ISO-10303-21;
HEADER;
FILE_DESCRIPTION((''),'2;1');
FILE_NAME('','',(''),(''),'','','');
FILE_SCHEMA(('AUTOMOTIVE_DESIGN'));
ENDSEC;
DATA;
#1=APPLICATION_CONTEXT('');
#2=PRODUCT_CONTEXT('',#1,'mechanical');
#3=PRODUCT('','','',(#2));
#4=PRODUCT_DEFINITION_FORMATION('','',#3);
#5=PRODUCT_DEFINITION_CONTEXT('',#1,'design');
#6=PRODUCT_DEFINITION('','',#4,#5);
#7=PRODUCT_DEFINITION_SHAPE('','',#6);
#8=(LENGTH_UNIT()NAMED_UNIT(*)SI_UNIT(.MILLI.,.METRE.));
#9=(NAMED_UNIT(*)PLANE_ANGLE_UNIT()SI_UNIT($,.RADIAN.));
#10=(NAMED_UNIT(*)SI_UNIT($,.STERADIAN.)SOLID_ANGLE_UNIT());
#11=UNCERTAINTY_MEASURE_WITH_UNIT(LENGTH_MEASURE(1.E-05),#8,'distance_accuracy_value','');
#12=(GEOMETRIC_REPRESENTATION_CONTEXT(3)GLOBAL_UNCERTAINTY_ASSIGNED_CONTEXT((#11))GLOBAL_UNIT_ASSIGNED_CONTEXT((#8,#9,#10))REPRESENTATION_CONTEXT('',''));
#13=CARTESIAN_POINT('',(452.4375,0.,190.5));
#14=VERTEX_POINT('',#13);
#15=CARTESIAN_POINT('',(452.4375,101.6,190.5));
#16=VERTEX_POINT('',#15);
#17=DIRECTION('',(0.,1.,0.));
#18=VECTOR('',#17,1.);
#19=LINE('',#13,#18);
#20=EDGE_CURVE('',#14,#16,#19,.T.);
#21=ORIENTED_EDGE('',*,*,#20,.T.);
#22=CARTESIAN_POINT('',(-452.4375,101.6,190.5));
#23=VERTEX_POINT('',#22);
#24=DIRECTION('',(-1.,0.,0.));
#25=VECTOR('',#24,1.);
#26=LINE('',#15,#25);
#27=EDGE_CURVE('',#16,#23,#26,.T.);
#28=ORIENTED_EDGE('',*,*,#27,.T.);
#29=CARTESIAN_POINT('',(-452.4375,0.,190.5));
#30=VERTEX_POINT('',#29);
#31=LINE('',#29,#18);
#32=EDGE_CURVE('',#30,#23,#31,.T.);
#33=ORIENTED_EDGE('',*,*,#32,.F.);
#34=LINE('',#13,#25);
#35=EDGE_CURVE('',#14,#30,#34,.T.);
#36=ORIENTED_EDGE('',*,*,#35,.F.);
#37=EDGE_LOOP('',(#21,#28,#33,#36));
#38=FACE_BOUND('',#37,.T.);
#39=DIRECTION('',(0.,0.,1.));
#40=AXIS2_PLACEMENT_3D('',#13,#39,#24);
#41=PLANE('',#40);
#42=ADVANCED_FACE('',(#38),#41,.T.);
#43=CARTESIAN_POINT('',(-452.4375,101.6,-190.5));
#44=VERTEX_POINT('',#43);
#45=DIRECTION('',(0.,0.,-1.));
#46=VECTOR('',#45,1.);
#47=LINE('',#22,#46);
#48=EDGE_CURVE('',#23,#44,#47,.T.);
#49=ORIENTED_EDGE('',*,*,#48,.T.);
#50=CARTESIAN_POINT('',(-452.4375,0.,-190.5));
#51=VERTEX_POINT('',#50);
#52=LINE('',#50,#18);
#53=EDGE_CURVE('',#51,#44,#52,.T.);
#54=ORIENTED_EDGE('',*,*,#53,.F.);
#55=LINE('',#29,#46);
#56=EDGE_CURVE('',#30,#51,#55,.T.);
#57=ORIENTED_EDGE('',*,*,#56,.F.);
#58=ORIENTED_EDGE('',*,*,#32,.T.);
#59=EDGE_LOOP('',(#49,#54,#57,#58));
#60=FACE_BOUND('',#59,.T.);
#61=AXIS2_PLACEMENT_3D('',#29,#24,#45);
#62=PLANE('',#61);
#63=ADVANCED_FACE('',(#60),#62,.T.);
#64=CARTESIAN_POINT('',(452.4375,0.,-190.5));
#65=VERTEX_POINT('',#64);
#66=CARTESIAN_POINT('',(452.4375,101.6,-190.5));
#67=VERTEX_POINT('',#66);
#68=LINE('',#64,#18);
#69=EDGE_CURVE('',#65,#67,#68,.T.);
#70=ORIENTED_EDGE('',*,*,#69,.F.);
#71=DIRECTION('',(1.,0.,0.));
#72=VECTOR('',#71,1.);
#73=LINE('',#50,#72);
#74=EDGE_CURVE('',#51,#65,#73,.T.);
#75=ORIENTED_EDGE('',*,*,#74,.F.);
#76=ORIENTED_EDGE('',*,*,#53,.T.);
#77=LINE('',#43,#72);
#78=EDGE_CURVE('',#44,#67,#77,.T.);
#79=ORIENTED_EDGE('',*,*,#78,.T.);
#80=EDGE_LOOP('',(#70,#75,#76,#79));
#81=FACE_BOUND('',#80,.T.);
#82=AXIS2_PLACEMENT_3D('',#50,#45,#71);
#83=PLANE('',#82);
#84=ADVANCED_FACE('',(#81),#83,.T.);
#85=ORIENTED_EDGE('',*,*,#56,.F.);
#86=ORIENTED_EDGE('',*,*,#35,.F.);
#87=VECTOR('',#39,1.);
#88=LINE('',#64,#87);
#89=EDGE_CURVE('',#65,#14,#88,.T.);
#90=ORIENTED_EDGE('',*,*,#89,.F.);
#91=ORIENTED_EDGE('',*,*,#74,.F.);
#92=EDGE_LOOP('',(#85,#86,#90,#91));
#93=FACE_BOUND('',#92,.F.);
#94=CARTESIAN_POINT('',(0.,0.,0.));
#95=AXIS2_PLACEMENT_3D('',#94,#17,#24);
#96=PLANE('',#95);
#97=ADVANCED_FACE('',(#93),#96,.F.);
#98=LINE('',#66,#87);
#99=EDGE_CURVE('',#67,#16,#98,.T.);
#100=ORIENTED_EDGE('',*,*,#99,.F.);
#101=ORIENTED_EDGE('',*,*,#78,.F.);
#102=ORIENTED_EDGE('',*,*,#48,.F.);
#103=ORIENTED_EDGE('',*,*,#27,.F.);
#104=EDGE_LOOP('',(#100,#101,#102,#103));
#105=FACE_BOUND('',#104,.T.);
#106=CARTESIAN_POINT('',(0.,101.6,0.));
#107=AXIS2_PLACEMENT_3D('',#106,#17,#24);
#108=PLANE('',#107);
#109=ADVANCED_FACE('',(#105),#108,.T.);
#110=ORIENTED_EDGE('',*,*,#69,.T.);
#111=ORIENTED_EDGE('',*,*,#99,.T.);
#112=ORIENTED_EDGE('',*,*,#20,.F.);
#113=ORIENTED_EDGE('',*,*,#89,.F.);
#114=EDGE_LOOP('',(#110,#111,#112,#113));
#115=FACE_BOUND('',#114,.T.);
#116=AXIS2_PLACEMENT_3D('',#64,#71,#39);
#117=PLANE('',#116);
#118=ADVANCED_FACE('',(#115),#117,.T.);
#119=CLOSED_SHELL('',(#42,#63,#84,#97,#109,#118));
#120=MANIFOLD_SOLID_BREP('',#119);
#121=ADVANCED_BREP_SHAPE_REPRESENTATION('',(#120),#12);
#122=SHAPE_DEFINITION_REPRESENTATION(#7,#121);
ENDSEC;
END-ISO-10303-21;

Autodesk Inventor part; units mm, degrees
ref_plane "YZ Plane" through (0, 0, 0) normal (1, 0, 0) x (0, 1, 0)
ref_plane "XZ Plane" through (0, 0, 0) normal (0, 1, 0) x (-1, 0, 0)
ref_plane "XY Plane" through (0, 0, 0) normal (0, 0, 1) x (1, 0, 0)
sketch "Sketch1" plane through (0, 0, 0) normal (0, 1, 0) x (-1, 0, 0)
  line L0 (452.4375, -190.5) -> (-452.4375, -190.5)
  line L1 (-452.4375, -190.5) -> (-452.4375, 190.5)
  line L2 (-452.4375, 190.5) -> (452.4375, 190.5)
  line L3 (452.4375, 190.5) -> (452.4375, -190.5)
  line L4 (452.4375, -190.5) -> (-452.4375, 190.5) construction
  line L5 (-452.4375, -190.5) -> (452.4375, 190.5) construction
  point P0 (0, 0)
  dimension "d0" = 904.875
  dimension "d1" = 381
extrude "Extrusion1" add sketch "Sketch1" along normal blind 101.6
properties part number "cap - 2" material "Granite, Cut, Polished"
